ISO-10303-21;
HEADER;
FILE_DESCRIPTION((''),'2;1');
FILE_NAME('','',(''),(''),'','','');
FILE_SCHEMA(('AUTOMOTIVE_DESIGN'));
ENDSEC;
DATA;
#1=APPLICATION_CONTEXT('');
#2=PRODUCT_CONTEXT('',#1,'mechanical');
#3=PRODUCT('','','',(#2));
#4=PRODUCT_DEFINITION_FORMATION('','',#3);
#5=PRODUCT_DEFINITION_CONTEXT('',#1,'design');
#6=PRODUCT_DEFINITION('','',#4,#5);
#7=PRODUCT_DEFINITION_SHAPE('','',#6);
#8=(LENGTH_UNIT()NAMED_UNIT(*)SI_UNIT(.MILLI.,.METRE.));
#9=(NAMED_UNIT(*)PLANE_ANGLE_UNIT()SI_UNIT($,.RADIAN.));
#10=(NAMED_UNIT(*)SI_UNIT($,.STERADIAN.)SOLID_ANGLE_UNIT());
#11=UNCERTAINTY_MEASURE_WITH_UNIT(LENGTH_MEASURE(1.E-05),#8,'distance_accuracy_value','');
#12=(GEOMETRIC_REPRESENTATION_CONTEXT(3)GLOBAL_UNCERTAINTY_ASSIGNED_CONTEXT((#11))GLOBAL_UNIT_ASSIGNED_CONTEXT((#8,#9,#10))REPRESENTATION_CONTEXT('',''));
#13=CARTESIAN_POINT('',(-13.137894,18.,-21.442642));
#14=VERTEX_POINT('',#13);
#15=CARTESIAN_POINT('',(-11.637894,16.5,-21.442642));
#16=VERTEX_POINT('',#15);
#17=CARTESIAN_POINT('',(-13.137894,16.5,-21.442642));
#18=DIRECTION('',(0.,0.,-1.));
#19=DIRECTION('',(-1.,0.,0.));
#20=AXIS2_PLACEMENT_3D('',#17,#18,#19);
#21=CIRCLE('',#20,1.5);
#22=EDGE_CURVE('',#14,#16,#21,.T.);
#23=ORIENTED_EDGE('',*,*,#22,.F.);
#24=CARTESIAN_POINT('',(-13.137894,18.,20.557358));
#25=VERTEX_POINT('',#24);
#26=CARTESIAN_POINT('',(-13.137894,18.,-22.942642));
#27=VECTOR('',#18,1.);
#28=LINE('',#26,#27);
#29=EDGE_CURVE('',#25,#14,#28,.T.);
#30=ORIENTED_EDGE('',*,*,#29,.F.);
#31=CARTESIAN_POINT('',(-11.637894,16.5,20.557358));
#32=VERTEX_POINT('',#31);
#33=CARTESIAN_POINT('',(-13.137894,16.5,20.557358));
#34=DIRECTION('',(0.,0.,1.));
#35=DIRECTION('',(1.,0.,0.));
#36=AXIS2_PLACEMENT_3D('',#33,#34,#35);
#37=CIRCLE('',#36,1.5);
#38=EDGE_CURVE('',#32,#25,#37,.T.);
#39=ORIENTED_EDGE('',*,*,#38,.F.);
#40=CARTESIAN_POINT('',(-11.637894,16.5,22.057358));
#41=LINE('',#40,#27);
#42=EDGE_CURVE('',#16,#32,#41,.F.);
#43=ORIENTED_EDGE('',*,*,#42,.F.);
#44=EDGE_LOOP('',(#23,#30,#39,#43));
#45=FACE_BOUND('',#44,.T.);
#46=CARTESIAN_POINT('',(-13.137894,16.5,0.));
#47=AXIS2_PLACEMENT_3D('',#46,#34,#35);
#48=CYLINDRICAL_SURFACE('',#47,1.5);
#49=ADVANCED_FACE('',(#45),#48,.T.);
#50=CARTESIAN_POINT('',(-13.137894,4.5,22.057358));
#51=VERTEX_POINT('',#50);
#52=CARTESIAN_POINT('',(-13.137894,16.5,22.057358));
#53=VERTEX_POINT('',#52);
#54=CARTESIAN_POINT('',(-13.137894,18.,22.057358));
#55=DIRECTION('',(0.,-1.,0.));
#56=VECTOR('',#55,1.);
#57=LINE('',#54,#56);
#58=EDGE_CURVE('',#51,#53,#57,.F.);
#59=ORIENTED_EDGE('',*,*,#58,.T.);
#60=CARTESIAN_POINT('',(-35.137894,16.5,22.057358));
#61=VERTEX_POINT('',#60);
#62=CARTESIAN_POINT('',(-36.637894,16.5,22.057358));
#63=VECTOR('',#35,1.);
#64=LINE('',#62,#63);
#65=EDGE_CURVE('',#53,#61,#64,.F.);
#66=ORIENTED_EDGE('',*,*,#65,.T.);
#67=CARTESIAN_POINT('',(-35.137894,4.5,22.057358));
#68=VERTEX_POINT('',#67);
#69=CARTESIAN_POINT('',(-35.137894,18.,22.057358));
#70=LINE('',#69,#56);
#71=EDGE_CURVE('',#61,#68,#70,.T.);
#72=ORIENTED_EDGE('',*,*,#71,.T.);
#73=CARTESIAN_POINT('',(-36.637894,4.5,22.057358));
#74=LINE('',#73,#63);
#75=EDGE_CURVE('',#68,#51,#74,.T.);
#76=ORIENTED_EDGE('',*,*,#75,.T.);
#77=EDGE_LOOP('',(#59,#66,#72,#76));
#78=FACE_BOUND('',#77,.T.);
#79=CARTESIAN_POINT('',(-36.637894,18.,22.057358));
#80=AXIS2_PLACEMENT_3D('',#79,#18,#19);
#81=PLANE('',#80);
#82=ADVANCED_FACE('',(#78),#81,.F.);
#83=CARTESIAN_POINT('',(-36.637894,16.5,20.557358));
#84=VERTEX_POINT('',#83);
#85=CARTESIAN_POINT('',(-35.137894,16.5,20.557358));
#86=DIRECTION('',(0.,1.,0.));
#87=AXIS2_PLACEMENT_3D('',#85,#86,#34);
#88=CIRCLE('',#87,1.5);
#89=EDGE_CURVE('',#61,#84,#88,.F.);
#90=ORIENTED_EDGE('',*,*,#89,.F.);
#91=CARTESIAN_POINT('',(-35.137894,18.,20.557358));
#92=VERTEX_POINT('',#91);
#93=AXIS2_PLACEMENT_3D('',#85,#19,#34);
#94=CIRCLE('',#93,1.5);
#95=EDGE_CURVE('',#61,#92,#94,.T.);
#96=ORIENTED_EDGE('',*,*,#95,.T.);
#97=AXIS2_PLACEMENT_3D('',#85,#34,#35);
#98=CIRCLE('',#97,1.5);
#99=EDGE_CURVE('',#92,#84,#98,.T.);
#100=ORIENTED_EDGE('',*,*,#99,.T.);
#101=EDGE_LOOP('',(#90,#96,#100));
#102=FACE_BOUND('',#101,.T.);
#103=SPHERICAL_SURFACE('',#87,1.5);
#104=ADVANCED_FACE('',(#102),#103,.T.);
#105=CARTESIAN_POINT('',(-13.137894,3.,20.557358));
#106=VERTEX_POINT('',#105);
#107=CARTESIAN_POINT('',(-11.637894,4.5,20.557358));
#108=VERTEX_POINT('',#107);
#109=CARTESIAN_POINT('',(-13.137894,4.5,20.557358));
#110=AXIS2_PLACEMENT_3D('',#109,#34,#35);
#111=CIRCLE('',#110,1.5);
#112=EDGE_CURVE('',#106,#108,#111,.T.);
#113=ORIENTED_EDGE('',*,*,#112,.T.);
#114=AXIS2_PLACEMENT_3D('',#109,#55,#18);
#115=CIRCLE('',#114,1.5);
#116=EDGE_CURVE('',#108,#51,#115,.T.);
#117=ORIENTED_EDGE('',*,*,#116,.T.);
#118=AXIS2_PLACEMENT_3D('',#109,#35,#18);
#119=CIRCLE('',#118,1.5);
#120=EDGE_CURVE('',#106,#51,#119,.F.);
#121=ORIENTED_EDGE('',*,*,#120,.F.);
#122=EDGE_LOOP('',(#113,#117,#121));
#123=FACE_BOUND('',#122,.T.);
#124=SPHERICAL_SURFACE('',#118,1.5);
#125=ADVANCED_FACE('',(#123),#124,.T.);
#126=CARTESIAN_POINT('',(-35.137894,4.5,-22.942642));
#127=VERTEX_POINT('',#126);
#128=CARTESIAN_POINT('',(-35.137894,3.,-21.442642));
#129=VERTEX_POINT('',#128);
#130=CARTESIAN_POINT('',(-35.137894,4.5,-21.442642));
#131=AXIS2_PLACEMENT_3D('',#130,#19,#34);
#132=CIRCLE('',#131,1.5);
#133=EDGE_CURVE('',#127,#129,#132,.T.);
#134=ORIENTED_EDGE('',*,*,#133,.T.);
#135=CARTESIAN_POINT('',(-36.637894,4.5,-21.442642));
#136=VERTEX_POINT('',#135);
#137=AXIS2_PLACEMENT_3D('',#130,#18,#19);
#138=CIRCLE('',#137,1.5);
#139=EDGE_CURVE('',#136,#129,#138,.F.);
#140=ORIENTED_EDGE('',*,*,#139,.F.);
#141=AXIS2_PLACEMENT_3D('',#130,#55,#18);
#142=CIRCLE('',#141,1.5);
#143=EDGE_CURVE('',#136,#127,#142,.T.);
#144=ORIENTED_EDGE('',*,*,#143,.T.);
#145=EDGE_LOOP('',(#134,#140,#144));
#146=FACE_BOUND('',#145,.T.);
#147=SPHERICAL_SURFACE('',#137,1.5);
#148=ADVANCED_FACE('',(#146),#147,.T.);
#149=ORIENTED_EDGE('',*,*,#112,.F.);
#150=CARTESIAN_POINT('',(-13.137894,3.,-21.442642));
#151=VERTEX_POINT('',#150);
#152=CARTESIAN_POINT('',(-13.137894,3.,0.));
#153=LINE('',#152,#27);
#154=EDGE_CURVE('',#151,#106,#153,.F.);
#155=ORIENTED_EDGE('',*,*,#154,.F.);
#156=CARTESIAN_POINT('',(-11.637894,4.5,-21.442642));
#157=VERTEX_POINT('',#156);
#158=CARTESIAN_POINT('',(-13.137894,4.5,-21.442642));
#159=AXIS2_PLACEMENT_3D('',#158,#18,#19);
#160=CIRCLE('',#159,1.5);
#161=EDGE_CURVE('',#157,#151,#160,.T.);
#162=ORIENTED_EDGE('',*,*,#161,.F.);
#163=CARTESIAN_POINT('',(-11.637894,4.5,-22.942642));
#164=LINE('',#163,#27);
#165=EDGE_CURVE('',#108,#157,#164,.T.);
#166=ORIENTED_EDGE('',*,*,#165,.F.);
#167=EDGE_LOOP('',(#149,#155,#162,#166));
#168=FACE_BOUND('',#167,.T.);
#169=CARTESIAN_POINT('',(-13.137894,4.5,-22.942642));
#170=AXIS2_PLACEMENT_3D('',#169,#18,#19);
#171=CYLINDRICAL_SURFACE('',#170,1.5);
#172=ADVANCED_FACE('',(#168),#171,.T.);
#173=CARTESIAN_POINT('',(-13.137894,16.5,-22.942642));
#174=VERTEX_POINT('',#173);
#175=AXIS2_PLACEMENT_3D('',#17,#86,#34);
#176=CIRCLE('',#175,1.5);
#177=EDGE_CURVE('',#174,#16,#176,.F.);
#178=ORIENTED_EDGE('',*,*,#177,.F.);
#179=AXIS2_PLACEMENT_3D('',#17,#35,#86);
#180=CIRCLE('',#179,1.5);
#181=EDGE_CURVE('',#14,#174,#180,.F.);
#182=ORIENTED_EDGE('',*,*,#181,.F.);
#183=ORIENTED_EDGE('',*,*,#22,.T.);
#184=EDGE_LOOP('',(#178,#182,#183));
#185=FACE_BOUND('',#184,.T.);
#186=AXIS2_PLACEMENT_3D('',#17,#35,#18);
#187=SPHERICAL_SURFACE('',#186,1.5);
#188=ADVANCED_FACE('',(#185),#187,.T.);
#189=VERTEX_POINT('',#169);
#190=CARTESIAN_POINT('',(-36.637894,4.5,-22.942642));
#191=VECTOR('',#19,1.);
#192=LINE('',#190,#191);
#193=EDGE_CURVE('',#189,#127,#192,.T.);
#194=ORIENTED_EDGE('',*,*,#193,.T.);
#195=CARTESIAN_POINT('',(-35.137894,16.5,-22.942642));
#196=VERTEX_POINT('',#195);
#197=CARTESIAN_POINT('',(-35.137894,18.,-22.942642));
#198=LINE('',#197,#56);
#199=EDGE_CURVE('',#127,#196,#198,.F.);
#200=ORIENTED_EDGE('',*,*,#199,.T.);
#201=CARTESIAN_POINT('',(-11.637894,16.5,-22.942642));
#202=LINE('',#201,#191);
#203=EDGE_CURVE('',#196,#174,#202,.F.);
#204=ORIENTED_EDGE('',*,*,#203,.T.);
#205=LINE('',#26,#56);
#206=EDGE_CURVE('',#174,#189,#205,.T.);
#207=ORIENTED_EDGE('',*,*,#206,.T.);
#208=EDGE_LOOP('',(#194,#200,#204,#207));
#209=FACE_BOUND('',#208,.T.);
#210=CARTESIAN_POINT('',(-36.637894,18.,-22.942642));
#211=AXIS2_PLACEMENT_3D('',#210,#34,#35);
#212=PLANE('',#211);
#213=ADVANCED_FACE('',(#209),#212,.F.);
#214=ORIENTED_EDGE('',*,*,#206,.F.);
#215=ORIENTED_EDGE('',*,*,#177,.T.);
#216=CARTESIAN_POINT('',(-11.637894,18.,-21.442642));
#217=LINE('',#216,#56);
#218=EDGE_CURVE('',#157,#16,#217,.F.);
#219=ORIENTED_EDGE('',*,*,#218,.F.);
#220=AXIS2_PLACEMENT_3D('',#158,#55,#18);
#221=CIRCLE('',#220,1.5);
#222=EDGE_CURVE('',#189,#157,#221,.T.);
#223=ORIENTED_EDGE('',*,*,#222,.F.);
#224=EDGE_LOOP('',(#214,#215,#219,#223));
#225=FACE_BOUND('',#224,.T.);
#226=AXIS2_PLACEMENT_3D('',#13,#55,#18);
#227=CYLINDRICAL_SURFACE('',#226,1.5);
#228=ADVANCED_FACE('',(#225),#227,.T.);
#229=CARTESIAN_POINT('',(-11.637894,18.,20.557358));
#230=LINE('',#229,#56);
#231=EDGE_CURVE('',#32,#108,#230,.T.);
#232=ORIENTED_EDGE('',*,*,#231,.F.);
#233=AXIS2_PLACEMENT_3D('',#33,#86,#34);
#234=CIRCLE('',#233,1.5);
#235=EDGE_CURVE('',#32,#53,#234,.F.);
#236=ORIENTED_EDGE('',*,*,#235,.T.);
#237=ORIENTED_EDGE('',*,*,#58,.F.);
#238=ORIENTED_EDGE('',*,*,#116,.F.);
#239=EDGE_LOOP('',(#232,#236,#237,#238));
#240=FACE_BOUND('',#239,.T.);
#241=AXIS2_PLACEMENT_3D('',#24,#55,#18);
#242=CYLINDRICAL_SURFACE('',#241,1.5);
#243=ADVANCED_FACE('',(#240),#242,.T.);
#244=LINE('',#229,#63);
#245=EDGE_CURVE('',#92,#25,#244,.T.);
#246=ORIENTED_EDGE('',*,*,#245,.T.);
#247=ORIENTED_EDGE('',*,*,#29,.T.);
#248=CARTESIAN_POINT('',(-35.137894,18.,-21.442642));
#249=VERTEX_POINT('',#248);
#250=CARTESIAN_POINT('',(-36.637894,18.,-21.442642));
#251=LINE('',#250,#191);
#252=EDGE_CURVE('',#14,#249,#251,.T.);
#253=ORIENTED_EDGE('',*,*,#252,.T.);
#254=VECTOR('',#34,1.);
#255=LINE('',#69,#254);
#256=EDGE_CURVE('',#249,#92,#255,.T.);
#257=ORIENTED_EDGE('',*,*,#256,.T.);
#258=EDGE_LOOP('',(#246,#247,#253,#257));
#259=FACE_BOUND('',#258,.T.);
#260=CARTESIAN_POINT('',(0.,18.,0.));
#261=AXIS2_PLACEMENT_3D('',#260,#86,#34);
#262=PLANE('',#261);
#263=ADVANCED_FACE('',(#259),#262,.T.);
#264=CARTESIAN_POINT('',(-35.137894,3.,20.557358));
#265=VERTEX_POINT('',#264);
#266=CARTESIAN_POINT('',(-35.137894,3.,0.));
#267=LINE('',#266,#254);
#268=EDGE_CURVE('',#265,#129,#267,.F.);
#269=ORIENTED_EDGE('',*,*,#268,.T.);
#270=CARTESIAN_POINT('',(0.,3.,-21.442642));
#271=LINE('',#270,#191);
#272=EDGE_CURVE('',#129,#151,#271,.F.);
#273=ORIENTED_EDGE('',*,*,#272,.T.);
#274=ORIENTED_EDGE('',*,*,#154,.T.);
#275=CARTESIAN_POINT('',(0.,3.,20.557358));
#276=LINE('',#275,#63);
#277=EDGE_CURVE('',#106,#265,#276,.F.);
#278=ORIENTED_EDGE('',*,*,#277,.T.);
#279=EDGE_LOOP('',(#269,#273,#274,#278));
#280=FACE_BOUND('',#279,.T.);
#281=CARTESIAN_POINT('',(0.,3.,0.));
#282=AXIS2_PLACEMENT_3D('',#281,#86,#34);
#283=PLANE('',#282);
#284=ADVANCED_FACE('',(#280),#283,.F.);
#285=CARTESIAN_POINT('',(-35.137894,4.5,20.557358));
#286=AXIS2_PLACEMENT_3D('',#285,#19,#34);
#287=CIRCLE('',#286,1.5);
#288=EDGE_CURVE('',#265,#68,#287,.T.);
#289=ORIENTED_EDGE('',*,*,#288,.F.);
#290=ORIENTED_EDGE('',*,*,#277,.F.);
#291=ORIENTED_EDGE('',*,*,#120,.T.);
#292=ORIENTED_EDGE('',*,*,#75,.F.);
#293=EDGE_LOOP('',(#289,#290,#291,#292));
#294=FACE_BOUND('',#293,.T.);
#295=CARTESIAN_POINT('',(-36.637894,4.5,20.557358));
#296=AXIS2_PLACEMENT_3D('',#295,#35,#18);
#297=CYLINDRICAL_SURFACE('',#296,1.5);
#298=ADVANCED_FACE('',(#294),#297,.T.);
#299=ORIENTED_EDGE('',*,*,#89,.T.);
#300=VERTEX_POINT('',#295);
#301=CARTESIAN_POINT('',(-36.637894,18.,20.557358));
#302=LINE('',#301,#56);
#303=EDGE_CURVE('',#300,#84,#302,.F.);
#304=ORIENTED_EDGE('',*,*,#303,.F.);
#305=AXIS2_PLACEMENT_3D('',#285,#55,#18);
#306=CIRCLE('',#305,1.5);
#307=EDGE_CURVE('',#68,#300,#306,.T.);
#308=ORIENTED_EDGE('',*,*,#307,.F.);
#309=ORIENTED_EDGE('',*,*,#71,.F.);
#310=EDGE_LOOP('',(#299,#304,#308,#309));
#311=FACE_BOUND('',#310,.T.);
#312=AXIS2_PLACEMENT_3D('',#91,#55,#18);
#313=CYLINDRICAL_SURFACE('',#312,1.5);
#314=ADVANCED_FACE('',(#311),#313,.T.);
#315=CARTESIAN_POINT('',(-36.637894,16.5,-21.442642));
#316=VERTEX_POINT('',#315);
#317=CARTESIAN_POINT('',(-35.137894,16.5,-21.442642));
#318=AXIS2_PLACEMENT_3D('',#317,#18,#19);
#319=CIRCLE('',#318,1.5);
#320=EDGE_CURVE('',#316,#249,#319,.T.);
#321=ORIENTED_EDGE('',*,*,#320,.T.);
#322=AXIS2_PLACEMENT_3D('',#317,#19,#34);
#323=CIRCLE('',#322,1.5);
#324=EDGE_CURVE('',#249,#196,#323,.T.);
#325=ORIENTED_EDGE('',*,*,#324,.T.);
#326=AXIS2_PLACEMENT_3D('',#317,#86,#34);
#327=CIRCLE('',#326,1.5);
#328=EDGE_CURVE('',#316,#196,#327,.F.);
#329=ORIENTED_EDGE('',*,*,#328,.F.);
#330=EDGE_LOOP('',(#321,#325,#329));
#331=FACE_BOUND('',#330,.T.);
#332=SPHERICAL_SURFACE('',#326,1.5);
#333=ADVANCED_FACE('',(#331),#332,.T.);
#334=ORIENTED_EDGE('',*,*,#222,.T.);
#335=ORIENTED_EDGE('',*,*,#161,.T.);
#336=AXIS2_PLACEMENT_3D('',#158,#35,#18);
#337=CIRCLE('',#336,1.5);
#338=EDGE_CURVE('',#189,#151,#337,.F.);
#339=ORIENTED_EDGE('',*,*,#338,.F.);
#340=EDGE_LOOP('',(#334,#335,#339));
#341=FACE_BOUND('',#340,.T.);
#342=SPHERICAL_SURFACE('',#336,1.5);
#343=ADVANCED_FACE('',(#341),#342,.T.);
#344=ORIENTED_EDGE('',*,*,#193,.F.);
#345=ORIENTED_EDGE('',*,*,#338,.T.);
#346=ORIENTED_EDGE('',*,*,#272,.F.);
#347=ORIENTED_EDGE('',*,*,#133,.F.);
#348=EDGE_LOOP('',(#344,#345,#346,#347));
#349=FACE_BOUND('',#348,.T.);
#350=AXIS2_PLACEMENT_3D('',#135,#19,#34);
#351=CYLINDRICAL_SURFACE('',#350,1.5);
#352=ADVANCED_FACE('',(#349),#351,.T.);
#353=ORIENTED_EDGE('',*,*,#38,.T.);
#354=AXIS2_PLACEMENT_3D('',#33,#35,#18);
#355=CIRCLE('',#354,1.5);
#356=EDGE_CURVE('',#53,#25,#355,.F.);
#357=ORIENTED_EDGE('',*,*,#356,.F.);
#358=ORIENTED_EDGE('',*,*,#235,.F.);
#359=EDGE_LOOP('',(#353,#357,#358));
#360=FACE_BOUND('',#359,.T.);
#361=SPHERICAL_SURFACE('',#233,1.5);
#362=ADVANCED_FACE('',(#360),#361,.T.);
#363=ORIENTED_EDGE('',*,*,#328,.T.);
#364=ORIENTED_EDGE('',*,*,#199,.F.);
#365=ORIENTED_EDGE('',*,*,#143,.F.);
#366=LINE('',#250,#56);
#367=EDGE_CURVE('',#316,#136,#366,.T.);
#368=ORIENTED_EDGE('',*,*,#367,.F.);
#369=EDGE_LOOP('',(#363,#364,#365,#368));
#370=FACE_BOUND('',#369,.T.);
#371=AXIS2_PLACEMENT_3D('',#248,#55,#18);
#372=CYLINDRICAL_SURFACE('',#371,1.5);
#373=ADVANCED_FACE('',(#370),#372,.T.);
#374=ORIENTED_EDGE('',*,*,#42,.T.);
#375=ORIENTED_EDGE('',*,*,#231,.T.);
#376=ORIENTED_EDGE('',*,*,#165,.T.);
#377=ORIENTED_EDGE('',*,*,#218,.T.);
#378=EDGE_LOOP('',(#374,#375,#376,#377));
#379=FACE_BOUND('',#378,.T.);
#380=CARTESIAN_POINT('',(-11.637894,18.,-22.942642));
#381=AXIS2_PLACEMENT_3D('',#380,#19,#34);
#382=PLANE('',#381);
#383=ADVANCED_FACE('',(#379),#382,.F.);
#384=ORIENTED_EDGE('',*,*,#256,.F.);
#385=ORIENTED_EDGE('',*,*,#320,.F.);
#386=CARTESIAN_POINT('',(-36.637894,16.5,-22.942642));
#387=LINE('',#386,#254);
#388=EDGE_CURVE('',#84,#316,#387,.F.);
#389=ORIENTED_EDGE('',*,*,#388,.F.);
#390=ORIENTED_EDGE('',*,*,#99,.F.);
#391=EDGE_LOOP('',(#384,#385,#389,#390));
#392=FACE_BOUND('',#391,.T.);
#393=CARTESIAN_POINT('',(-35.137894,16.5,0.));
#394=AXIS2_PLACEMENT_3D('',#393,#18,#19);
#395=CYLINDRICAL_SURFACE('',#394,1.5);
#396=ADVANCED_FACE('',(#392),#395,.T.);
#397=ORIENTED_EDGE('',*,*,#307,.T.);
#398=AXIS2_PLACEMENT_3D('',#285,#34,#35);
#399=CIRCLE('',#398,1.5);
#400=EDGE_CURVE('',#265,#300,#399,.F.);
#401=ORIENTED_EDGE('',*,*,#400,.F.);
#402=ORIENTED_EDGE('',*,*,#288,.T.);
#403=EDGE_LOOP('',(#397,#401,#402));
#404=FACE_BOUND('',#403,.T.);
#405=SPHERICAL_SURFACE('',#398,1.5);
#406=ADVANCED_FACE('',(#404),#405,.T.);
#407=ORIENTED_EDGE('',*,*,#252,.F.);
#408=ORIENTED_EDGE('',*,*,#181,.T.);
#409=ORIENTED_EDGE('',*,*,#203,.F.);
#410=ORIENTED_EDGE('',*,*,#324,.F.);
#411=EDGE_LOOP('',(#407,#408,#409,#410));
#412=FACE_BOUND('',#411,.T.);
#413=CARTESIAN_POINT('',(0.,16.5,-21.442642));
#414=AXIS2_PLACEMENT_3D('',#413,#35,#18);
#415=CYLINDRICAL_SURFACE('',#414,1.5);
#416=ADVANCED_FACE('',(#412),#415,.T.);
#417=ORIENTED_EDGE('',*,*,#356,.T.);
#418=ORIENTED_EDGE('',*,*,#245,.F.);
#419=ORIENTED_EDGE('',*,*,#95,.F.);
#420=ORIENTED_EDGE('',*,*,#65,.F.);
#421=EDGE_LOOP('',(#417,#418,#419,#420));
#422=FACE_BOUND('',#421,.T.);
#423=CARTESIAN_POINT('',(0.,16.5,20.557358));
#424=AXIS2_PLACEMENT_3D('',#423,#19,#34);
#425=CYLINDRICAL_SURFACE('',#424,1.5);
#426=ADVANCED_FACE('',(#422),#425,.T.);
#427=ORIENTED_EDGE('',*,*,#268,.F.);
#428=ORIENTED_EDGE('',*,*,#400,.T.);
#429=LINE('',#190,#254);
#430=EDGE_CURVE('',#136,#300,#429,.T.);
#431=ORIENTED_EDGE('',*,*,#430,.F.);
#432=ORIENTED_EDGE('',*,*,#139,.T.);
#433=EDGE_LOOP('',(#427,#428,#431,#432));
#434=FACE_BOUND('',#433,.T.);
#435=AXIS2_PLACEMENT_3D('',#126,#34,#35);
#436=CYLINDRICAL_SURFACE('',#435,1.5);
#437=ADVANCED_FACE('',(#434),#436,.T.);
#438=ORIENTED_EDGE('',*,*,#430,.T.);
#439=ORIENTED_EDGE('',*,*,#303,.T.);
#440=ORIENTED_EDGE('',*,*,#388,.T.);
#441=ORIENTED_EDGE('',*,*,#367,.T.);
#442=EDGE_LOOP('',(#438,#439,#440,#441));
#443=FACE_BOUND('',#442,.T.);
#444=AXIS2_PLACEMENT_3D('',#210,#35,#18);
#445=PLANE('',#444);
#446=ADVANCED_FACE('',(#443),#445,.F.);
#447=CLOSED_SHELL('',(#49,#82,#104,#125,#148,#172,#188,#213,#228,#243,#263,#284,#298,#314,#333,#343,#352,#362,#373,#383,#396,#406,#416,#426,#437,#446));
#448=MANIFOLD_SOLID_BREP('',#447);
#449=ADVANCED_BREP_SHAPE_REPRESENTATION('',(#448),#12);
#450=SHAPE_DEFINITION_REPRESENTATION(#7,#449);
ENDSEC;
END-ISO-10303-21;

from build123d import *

# Parameters (mm, degrees)
SKETCH1_W           = 25
SKETCH1_H           = 45
BOSS_EXTRUDE1_DEPTH = 15
FILLET1_R           = 1.5


with BuildPart() as part:
    # Sketch1 → Boss-Extrude1 (new body)
    with BuildSketch(Plane(origin=(0, 3, 0), x_dir=(1, 0, 0), z_dir=(0, 1, 0))):
        with Locations((-24.13789371, 0.442641975)):
            Rectangle(SKETCH1_W, SKETCH1_H)
    extrude(amount=BOSS_EXTRUDE1_DEPTH)

    # Fillet1
    fillet1_edges = [part.edges().sort_by_distance(p)[0] for p in [
        (-11.63789371, 18, -0.442641975),
        (-24.13789371, 18, -22.942641975),
        (-36.63789371, 18, -0.442641975),
        (-24.13789371, 3, -22.942641975),
        (-11.63789371, 3, -0.442641975),
        (-24.13789371, 3, 22.057358025),
        (-36.63789371, 3, -0.442641975),
        (-36.63789371, 10.5, -22.942641975),
        (-11.63789371, 10.5, -22.942641975),
        (-11.63789371, 10.5, 22.057358025),
        (-36.63789371, 10.5, 22.057358025),
        (-24.13789371, 18, 22.057358025),
    ]]
    fillet(fillet1_edges, radius=FILLET1_R)


solid = part.part
